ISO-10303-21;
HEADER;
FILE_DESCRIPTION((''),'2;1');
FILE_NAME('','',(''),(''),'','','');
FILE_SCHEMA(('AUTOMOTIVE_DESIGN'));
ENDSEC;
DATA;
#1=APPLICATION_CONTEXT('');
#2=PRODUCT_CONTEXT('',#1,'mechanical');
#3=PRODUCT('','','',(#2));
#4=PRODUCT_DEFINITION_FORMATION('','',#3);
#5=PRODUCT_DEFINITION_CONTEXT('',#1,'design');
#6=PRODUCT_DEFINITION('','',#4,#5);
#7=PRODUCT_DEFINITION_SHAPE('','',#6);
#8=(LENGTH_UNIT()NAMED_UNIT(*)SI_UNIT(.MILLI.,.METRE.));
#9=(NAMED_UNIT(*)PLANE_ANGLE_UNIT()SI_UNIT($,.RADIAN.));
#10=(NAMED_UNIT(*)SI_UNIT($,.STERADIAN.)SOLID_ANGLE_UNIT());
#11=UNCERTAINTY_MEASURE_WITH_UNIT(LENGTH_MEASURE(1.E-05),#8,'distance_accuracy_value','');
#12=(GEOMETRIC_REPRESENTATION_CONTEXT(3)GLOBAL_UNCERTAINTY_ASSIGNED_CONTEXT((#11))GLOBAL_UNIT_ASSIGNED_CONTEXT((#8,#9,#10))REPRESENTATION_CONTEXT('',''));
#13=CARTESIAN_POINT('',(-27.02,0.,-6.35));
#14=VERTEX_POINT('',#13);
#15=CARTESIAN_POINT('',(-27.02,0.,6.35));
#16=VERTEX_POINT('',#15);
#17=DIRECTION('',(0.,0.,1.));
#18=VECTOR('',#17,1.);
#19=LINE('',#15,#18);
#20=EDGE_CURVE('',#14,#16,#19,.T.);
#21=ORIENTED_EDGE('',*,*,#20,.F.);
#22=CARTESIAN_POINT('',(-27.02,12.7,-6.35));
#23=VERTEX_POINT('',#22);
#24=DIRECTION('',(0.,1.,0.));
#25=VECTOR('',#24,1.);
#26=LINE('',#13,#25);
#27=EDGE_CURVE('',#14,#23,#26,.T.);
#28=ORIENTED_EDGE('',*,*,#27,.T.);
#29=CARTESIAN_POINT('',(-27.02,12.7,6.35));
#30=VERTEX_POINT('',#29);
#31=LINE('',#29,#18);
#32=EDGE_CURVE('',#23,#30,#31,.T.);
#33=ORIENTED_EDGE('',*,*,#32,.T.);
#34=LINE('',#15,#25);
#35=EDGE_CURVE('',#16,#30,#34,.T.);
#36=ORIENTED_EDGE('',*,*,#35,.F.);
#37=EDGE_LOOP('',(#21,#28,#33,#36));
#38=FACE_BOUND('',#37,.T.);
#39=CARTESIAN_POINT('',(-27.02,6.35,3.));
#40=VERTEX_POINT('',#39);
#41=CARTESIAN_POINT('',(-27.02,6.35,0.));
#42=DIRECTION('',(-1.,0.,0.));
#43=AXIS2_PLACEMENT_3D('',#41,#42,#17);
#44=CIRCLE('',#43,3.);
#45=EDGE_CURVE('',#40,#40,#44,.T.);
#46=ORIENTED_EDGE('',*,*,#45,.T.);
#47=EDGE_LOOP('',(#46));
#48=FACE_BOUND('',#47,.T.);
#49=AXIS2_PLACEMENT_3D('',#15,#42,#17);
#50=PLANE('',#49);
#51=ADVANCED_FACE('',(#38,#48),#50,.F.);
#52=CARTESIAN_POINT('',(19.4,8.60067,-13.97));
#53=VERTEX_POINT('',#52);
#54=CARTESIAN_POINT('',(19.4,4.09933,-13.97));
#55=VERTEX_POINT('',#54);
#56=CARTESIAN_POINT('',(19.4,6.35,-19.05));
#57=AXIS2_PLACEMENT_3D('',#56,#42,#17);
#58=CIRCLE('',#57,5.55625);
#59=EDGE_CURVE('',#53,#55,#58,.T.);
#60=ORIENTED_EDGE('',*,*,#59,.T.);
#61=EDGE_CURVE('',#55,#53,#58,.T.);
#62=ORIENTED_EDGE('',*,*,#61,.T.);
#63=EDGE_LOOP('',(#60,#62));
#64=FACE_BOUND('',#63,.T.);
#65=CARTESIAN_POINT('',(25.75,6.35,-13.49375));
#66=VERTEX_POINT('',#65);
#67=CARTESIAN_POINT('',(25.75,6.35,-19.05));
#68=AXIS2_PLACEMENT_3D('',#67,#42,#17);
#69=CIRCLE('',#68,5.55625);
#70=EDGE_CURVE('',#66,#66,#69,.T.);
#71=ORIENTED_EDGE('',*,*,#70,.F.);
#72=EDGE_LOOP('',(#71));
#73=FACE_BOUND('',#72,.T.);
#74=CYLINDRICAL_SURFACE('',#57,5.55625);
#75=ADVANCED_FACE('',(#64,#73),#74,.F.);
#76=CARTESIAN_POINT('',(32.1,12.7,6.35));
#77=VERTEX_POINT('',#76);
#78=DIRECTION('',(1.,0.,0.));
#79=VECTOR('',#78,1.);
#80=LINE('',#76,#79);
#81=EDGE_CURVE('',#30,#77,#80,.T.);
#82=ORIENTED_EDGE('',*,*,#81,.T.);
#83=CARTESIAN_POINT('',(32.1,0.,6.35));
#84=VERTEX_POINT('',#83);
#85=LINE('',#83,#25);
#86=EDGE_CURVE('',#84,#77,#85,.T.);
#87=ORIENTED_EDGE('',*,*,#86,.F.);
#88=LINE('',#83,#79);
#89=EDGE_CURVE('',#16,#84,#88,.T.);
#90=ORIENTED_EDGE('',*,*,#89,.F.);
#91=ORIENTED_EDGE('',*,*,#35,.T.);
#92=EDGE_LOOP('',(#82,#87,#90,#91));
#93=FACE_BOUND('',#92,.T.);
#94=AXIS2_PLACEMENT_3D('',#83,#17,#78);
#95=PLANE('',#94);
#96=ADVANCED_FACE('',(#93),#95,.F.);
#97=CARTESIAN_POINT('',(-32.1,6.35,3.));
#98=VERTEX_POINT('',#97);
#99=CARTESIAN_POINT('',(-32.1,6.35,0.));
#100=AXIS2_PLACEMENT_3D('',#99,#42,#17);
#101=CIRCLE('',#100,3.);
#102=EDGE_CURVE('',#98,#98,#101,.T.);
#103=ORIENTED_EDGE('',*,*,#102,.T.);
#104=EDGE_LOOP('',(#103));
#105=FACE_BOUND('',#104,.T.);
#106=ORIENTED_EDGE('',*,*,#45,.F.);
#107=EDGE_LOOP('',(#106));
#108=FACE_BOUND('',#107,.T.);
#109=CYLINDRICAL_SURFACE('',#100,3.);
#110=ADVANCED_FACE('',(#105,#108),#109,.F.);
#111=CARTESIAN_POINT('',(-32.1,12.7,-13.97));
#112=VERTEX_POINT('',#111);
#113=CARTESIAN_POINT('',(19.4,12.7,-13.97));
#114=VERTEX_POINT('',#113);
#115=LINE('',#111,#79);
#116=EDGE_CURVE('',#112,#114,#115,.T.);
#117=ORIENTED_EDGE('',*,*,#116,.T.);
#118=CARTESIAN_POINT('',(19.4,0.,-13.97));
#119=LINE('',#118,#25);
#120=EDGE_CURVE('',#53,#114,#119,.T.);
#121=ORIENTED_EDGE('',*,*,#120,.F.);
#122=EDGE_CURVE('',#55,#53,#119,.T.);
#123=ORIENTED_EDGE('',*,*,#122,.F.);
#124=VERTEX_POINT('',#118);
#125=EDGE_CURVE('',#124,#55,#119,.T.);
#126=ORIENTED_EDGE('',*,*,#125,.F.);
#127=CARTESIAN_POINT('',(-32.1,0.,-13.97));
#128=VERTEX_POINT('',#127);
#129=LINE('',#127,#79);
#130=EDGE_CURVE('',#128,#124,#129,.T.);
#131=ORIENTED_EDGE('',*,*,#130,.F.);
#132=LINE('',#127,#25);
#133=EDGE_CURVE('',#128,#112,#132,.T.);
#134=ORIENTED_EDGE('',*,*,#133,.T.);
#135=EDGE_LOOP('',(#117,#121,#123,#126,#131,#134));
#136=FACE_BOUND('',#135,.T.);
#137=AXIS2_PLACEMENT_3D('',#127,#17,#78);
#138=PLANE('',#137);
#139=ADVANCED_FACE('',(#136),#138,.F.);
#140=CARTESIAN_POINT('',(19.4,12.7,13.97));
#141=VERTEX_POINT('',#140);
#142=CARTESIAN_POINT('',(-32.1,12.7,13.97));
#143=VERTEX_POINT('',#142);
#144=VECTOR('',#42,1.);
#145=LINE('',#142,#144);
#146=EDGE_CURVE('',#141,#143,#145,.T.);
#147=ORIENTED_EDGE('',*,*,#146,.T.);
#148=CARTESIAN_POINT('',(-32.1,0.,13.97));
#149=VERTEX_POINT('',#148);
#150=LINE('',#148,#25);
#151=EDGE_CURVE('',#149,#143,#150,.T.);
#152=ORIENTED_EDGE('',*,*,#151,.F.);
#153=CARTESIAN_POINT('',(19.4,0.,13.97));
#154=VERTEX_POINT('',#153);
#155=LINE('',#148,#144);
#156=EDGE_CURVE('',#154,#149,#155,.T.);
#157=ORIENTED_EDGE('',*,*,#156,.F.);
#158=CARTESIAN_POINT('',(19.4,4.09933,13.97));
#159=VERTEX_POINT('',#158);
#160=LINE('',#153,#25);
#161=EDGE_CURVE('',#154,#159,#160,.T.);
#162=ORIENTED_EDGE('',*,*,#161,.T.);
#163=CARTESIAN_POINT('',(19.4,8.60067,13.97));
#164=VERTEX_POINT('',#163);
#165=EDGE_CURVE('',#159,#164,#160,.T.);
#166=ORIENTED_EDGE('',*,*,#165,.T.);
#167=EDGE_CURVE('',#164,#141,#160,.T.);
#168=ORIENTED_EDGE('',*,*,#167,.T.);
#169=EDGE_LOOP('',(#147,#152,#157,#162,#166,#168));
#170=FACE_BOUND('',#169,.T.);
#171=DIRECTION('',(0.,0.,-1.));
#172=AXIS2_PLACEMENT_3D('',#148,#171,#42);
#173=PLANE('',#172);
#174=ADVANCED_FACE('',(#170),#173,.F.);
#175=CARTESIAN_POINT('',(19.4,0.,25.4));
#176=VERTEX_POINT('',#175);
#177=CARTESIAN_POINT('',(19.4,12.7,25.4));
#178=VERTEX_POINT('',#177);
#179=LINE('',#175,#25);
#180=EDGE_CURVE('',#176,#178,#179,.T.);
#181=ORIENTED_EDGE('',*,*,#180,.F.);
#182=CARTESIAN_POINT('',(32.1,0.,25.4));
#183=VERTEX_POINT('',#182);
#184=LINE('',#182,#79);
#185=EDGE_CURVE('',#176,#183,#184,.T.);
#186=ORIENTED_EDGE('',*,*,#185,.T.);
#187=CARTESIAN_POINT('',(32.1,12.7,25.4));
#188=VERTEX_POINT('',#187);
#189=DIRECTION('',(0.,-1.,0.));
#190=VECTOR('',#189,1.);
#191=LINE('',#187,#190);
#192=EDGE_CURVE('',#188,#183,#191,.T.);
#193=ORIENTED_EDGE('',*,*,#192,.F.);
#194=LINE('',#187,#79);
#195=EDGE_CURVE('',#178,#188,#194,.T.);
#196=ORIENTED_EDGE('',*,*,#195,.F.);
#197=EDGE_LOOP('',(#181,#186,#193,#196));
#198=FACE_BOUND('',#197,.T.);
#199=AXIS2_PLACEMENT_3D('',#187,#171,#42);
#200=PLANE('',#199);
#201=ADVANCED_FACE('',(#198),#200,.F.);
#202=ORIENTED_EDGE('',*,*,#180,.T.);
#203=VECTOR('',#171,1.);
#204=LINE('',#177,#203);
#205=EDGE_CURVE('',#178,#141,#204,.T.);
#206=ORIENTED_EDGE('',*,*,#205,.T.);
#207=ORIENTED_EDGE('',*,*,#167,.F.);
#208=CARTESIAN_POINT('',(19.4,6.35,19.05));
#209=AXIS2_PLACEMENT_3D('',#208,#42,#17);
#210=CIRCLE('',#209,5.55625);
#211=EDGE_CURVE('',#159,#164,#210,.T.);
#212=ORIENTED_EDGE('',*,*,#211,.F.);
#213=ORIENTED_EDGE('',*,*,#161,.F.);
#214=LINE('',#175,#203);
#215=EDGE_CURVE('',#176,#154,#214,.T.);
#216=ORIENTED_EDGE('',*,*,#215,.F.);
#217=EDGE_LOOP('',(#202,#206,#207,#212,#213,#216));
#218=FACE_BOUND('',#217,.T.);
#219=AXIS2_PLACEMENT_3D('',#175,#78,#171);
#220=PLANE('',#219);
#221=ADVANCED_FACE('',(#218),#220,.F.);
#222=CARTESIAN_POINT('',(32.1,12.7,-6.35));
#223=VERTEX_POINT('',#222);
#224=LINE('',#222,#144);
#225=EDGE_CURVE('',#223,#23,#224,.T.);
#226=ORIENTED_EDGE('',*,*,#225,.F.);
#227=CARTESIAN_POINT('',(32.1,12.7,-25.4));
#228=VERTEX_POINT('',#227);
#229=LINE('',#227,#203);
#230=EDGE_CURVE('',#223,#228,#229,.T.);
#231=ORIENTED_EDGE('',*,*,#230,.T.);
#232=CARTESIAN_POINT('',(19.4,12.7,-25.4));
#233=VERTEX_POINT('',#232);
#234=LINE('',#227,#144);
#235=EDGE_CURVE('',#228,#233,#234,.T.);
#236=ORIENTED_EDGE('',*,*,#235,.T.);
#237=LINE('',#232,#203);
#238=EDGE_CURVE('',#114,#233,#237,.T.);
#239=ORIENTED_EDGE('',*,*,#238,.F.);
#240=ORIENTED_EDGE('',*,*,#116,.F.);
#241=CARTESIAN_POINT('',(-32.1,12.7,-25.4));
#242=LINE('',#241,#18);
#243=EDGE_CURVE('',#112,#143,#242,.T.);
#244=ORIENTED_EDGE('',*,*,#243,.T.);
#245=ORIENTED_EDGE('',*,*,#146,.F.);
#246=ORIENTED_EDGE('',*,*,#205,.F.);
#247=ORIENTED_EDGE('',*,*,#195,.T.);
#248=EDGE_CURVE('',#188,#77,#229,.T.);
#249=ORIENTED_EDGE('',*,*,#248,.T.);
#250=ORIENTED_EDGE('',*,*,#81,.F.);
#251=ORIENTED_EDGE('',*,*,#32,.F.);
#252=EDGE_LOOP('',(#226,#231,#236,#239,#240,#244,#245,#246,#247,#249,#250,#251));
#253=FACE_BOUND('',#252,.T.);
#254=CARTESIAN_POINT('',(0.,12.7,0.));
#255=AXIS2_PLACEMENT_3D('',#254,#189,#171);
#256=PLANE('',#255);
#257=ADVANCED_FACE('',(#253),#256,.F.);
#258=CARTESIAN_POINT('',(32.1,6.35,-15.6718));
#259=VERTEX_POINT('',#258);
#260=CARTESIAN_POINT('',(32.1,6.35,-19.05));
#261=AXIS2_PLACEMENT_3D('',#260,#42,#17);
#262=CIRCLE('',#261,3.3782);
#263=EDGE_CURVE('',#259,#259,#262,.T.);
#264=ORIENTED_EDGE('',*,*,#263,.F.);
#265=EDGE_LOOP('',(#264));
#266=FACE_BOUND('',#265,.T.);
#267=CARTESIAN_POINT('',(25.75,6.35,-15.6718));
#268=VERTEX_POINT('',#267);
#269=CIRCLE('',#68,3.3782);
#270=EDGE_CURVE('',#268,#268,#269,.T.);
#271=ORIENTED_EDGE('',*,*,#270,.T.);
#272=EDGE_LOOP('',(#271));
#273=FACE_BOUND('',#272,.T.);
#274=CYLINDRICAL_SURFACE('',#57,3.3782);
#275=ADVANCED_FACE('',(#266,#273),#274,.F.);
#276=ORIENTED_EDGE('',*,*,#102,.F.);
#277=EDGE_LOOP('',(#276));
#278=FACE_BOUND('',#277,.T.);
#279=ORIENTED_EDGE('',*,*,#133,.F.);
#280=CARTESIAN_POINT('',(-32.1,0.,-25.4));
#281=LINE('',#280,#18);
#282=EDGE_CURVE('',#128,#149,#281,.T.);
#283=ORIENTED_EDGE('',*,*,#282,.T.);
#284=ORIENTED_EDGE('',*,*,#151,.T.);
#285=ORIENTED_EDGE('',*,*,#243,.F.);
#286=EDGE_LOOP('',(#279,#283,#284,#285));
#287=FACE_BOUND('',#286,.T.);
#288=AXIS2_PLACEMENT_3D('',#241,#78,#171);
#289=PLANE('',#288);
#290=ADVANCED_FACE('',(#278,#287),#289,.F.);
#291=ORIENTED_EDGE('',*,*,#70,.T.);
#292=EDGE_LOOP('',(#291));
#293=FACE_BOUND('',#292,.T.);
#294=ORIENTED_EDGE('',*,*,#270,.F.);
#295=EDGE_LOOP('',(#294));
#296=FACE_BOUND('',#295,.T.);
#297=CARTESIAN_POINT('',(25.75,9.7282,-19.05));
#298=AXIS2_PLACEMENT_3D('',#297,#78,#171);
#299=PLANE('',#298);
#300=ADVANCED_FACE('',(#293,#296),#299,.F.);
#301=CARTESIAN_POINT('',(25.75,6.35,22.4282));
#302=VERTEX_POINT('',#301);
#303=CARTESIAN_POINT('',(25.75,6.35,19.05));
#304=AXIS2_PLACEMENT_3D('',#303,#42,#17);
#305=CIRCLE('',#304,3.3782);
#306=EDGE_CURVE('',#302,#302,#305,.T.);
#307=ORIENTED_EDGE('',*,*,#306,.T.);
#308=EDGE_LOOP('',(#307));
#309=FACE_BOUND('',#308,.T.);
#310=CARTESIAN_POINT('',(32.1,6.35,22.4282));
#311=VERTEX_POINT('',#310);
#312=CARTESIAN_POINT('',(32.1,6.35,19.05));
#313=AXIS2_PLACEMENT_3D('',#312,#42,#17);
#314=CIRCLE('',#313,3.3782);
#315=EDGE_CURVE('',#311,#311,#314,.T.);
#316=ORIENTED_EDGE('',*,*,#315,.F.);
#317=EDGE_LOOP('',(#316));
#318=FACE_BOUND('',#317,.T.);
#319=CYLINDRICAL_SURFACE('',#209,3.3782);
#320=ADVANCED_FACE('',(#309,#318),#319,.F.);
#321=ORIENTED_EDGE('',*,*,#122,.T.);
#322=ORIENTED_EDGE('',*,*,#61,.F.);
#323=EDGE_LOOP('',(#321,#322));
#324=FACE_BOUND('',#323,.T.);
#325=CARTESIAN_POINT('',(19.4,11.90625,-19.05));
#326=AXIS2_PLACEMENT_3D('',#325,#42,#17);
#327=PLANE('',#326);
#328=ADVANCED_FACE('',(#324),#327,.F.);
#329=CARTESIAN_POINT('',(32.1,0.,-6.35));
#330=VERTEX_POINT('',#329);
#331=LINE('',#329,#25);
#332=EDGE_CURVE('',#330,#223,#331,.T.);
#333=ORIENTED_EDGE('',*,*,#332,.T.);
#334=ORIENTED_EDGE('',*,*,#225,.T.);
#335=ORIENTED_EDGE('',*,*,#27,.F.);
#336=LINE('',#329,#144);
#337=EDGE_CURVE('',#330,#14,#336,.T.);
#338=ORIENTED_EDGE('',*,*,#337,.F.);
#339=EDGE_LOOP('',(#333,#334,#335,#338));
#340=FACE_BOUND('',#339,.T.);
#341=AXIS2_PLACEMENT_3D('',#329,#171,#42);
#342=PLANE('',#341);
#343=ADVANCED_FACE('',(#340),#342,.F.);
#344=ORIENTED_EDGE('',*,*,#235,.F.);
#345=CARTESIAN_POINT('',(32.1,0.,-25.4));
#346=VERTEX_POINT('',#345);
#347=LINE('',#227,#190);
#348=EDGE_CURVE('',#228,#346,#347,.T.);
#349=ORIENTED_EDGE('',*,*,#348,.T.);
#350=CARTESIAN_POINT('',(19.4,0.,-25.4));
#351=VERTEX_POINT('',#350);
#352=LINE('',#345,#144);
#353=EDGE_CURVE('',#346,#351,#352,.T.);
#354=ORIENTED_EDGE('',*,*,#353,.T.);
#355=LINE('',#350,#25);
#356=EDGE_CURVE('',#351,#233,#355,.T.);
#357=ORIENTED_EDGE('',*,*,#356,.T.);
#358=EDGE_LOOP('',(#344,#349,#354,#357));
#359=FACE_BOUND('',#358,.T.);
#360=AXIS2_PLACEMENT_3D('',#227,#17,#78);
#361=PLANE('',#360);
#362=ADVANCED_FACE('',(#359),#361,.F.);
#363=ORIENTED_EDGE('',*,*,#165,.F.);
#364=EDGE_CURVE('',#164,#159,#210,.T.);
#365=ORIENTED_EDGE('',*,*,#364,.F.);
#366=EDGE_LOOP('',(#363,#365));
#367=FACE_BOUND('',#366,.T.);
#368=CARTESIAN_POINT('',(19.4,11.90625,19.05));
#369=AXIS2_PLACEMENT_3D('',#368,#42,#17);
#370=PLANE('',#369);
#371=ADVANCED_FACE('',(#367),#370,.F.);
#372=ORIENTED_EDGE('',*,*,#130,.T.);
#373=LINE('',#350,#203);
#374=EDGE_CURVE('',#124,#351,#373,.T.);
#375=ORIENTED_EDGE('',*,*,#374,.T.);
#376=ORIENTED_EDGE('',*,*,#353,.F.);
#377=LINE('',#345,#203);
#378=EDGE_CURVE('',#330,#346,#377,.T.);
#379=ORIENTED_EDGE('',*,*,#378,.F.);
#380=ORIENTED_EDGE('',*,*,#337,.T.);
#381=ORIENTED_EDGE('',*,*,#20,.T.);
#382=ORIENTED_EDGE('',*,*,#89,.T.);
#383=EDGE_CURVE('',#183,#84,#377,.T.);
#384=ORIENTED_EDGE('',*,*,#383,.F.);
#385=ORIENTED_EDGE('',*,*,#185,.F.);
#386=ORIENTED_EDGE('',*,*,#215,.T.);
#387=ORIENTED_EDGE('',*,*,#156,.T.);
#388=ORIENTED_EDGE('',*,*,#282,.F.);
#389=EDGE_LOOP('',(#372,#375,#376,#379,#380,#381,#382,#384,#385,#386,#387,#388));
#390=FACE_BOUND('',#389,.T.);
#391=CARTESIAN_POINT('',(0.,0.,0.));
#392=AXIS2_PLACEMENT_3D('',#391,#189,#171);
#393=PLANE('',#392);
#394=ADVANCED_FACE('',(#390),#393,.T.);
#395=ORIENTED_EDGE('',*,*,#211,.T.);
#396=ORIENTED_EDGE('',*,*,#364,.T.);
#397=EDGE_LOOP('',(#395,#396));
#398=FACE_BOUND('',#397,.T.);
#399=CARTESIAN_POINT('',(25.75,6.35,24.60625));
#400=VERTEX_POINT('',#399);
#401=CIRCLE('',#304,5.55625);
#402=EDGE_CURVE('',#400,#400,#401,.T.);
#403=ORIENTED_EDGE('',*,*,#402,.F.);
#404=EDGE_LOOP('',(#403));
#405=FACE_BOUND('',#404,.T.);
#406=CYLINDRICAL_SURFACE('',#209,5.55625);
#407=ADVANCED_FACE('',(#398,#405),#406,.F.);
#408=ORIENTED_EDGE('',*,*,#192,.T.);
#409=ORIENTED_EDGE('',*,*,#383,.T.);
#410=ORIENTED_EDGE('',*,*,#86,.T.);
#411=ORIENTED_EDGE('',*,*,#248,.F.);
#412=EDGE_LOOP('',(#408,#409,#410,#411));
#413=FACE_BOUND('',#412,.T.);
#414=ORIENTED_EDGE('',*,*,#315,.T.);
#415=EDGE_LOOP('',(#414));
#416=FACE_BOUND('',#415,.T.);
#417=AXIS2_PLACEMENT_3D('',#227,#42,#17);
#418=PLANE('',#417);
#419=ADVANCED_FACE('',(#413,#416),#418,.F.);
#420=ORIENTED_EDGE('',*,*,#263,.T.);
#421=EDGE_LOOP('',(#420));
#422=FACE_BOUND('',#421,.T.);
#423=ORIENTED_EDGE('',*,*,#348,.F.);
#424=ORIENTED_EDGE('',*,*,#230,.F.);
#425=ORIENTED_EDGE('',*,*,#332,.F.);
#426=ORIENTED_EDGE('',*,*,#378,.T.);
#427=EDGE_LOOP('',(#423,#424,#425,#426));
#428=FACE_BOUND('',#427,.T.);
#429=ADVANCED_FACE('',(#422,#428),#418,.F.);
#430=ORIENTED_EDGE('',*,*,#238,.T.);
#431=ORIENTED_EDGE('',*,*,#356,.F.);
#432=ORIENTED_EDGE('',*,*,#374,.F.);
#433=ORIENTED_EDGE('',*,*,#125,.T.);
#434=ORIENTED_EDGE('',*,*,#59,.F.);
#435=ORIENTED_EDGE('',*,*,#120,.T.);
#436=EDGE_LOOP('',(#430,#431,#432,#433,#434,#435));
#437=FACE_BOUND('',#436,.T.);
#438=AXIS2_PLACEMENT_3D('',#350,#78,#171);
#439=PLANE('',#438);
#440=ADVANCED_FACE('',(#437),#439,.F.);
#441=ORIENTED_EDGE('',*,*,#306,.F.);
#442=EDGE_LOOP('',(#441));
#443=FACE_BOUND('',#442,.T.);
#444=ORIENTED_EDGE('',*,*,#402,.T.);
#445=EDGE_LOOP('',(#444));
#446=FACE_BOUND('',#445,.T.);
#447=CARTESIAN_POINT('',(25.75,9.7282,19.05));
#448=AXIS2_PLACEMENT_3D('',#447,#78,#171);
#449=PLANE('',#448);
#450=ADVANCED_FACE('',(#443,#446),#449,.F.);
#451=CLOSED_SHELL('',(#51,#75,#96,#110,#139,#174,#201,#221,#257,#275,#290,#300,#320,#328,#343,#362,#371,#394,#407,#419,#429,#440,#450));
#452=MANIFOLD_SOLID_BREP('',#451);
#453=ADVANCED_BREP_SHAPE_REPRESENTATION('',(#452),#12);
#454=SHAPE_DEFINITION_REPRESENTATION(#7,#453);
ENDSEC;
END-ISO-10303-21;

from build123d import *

# Parameters (mm, degrees)
SKETCH1_W                                     = 64.2
SKETCH1_H                                     = 50.8
BOSS_EXTRUDE1_DEPTH                           = 12.7
SKETCH4_W                                     = 51.5
SKETCH4_H                                     = 11.43
SKETCH4_W_2                                   = 59.12
SKETCH4_H_2                                   = 12.7
CUT_EXTRUDE1_DEPTH                            = 12.7
CBORE_FOR_1_4_SOCKET_HEAD_CAP_SCREW1_AT_COUNT = 2
CBORE_FOR_1_4_SOCKET_HEAD_CAP_SCREW1_AT_PITCH = 38.1
F_6_0MM_DOWEL_HOLE1_D                         = 6


with BuildPart() as part:
    # Sketch1 → Boss-Extrude1 (new body)
    with BuildSketch(Plane(origin=(0, 0, 0), x_dir=(1, 0, 0), z_dir=(0, 1, 0))):
        Rectangle(SKETCH1_W, SKETCH1_H)
    extrude(amount=BOSS_EXTRUDE1_DEPTH)

    # Sketch4 → Cut-Extrude1 (cut)
    with BuildSketch(Plane(origin=(0, 12.7, 0), x_dir=(1, 0, 0), z_dir=(0, 1, 0))):
        with Locations((-6.35, -19.685)):
            Rectangle(SKETCH4_W, SKETCH4_H)
        with Locations((-6.35, 19.685)):
            Rectangle(SKETCH4_W, SKETCH4_H)
        with Locations((2.54, 0)):
            Rectangle(SKETCH4_W_2, SKETCH4_H_2)
    extrude(amount=-CUT_EXTRUDE1_DEPTH, mode=Mode.SUBTRACT)

    # Sketch6 → CBORE for 1/4 Socket Head Cap Screw1 (revolve, cut)
    with BuildSketch(Plane(origin=(19.4, 6.35, 19.05), x_dir=(0, 0, 1), z_dir=(0, 1, 0))):
        Polygon((0, 0), (0, 12.7), (3.3782, 12.7), (3.3782, 6.35), (5.55625, 6.35), (5.55625, 0), align=None)
    cbore_for_1_4_socket_head_cap_screw1 = revolve(axis=Axis((13.05, 6.35, 19.05), (1, 0, 0)), mode=Mode.SUBTRACT)

    # CBORE for 1/4 Socket Head Cap Screw1 at: CBORE for 1/4 Socket Head Cap Screw1 ×2
    with Locations(*[(0, 0, -i * CBORE_FOR_1_4_SOCKET_HEAD_CAP_SCREW1_AT_PITCH) for i in range(1, CBORE_FOR_1_4_SOCKET_HEAD_CAP_SCREW1_AT_COUNT)]):
        add(cbore_for_1_4_socket_head_cap_screw1, mode=Mode.SUBTRACT)

    # Ø6.0mm Dowel Hole1 (through all)
    with Locations(Plane.ZY.offset(32.1)):
        with Locations((0, 6.35)):
            Hole(F_6_0MM_DOWEL_HOLE1_D / 2)


solid = part.part
